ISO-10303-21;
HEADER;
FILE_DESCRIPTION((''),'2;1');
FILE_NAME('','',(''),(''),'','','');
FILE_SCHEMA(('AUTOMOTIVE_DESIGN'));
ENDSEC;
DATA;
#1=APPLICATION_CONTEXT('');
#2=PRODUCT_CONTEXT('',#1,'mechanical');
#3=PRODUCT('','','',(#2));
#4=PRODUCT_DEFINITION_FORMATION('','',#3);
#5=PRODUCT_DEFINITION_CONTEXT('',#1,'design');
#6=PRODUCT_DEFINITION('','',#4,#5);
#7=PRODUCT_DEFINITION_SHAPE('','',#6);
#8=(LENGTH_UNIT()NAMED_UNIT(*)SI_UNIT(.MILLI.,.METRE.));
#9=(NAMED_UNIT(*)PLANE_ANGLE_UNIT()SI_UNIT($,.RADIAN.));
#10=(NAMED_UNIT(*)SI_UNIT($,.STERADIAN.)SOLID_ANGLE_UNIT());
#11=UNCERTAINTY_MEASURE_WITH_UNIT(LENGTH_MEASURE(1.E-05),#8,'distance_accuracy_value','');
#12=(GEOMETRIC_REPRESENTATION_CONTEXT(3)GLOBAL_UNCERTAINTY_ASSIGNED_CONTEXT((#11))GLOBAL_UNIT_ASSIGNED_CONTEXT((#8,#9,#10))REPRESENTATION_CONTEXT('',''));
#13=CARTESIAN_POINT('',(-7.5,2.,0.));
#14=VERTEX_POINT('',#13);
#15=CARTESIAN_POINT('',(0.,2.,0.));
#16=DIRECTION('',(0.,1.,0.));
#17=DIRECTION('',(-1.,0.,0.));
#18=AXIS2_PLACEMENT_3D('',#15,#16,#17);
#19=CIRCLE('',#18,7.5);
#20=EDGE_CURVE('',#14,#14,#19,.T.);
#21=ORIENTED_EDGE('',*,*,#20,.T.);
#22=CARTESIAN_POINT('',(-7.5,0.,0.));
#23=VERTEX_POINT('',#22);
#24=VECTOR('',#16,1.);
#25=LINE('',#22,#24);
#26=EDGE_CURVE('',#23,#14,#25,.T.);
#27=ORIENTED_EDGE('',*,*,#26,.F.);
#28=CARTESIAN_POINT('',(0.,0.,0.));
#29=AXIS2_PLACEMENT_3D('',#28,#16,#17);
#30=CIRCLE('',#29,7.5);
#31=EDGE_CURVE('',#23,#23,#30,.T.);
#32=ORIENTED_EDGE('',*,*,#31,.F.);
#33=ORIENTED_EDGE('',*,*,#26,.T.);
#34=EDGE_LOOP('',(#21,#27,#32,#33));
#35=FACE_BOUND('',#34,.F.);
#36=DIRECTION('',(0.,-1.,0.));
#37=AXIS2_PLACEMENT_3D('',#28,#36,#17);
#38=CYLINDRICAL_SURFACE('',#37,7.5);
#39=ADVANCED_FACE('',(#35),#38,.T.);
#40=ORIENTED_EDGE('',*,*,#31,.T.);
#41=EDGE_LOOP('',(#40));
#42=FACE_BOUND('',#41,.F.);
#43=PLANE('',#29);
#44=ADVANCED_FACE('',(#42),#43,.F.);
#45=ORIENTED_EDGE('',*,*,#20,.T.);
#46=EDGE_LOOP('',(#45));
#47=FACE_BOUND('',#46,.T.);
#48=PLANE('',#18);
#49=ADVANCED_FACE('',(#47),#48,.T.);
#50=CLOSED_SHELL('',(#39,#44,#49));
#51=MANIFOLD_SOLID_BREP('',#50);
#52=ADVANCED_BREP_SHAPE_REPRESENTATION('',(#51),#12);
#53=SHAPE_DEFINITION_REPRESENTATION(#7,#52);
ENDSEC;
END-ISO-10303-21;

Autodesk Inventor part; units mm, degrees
ref_plane "YZ Plane" through (0, 0, 0) normal (1, 0, 0) x (0, 1, 0)
ref_plane "XZ Plane" through (0, 0, 0) normal (0, 1, 0) x (-1, 0, 0)
ref_plane "XY Plane" through (0, 0, 0) normal (0, 0, 1) x (1, 0, 0)
sketch "Sketch1" plane through (0, 0, 0) normal (0, 1, 0) x (-1, 0, 0)
  circle A0 centre (0, 0) radius 7.5
  dimension "d0" = 15
extrude "Extrusion1" add sketch "Sketch1" along normal blind 2
equation "\"BendRadius\" = Thickness"
equation "\"BendReliefWidth\" = Thickness"
equation "\"BendReliefDepth\" = 0.5 * Thickness"
equation "\"CornerReliefSize\" = 4 * Thickness"
equation "\"MinimumRemnant\" = 2 * Thickness"
equation "\"TransitionRadius\" = BendRadius"
equation "\"JacobiRadiusSize\" = BendRadius"
equation "\"GapSize\" = Thickness"
equation "\"Thickness\" = 3.048"
properties part number "PLEXY 15x2" material "Glass"
